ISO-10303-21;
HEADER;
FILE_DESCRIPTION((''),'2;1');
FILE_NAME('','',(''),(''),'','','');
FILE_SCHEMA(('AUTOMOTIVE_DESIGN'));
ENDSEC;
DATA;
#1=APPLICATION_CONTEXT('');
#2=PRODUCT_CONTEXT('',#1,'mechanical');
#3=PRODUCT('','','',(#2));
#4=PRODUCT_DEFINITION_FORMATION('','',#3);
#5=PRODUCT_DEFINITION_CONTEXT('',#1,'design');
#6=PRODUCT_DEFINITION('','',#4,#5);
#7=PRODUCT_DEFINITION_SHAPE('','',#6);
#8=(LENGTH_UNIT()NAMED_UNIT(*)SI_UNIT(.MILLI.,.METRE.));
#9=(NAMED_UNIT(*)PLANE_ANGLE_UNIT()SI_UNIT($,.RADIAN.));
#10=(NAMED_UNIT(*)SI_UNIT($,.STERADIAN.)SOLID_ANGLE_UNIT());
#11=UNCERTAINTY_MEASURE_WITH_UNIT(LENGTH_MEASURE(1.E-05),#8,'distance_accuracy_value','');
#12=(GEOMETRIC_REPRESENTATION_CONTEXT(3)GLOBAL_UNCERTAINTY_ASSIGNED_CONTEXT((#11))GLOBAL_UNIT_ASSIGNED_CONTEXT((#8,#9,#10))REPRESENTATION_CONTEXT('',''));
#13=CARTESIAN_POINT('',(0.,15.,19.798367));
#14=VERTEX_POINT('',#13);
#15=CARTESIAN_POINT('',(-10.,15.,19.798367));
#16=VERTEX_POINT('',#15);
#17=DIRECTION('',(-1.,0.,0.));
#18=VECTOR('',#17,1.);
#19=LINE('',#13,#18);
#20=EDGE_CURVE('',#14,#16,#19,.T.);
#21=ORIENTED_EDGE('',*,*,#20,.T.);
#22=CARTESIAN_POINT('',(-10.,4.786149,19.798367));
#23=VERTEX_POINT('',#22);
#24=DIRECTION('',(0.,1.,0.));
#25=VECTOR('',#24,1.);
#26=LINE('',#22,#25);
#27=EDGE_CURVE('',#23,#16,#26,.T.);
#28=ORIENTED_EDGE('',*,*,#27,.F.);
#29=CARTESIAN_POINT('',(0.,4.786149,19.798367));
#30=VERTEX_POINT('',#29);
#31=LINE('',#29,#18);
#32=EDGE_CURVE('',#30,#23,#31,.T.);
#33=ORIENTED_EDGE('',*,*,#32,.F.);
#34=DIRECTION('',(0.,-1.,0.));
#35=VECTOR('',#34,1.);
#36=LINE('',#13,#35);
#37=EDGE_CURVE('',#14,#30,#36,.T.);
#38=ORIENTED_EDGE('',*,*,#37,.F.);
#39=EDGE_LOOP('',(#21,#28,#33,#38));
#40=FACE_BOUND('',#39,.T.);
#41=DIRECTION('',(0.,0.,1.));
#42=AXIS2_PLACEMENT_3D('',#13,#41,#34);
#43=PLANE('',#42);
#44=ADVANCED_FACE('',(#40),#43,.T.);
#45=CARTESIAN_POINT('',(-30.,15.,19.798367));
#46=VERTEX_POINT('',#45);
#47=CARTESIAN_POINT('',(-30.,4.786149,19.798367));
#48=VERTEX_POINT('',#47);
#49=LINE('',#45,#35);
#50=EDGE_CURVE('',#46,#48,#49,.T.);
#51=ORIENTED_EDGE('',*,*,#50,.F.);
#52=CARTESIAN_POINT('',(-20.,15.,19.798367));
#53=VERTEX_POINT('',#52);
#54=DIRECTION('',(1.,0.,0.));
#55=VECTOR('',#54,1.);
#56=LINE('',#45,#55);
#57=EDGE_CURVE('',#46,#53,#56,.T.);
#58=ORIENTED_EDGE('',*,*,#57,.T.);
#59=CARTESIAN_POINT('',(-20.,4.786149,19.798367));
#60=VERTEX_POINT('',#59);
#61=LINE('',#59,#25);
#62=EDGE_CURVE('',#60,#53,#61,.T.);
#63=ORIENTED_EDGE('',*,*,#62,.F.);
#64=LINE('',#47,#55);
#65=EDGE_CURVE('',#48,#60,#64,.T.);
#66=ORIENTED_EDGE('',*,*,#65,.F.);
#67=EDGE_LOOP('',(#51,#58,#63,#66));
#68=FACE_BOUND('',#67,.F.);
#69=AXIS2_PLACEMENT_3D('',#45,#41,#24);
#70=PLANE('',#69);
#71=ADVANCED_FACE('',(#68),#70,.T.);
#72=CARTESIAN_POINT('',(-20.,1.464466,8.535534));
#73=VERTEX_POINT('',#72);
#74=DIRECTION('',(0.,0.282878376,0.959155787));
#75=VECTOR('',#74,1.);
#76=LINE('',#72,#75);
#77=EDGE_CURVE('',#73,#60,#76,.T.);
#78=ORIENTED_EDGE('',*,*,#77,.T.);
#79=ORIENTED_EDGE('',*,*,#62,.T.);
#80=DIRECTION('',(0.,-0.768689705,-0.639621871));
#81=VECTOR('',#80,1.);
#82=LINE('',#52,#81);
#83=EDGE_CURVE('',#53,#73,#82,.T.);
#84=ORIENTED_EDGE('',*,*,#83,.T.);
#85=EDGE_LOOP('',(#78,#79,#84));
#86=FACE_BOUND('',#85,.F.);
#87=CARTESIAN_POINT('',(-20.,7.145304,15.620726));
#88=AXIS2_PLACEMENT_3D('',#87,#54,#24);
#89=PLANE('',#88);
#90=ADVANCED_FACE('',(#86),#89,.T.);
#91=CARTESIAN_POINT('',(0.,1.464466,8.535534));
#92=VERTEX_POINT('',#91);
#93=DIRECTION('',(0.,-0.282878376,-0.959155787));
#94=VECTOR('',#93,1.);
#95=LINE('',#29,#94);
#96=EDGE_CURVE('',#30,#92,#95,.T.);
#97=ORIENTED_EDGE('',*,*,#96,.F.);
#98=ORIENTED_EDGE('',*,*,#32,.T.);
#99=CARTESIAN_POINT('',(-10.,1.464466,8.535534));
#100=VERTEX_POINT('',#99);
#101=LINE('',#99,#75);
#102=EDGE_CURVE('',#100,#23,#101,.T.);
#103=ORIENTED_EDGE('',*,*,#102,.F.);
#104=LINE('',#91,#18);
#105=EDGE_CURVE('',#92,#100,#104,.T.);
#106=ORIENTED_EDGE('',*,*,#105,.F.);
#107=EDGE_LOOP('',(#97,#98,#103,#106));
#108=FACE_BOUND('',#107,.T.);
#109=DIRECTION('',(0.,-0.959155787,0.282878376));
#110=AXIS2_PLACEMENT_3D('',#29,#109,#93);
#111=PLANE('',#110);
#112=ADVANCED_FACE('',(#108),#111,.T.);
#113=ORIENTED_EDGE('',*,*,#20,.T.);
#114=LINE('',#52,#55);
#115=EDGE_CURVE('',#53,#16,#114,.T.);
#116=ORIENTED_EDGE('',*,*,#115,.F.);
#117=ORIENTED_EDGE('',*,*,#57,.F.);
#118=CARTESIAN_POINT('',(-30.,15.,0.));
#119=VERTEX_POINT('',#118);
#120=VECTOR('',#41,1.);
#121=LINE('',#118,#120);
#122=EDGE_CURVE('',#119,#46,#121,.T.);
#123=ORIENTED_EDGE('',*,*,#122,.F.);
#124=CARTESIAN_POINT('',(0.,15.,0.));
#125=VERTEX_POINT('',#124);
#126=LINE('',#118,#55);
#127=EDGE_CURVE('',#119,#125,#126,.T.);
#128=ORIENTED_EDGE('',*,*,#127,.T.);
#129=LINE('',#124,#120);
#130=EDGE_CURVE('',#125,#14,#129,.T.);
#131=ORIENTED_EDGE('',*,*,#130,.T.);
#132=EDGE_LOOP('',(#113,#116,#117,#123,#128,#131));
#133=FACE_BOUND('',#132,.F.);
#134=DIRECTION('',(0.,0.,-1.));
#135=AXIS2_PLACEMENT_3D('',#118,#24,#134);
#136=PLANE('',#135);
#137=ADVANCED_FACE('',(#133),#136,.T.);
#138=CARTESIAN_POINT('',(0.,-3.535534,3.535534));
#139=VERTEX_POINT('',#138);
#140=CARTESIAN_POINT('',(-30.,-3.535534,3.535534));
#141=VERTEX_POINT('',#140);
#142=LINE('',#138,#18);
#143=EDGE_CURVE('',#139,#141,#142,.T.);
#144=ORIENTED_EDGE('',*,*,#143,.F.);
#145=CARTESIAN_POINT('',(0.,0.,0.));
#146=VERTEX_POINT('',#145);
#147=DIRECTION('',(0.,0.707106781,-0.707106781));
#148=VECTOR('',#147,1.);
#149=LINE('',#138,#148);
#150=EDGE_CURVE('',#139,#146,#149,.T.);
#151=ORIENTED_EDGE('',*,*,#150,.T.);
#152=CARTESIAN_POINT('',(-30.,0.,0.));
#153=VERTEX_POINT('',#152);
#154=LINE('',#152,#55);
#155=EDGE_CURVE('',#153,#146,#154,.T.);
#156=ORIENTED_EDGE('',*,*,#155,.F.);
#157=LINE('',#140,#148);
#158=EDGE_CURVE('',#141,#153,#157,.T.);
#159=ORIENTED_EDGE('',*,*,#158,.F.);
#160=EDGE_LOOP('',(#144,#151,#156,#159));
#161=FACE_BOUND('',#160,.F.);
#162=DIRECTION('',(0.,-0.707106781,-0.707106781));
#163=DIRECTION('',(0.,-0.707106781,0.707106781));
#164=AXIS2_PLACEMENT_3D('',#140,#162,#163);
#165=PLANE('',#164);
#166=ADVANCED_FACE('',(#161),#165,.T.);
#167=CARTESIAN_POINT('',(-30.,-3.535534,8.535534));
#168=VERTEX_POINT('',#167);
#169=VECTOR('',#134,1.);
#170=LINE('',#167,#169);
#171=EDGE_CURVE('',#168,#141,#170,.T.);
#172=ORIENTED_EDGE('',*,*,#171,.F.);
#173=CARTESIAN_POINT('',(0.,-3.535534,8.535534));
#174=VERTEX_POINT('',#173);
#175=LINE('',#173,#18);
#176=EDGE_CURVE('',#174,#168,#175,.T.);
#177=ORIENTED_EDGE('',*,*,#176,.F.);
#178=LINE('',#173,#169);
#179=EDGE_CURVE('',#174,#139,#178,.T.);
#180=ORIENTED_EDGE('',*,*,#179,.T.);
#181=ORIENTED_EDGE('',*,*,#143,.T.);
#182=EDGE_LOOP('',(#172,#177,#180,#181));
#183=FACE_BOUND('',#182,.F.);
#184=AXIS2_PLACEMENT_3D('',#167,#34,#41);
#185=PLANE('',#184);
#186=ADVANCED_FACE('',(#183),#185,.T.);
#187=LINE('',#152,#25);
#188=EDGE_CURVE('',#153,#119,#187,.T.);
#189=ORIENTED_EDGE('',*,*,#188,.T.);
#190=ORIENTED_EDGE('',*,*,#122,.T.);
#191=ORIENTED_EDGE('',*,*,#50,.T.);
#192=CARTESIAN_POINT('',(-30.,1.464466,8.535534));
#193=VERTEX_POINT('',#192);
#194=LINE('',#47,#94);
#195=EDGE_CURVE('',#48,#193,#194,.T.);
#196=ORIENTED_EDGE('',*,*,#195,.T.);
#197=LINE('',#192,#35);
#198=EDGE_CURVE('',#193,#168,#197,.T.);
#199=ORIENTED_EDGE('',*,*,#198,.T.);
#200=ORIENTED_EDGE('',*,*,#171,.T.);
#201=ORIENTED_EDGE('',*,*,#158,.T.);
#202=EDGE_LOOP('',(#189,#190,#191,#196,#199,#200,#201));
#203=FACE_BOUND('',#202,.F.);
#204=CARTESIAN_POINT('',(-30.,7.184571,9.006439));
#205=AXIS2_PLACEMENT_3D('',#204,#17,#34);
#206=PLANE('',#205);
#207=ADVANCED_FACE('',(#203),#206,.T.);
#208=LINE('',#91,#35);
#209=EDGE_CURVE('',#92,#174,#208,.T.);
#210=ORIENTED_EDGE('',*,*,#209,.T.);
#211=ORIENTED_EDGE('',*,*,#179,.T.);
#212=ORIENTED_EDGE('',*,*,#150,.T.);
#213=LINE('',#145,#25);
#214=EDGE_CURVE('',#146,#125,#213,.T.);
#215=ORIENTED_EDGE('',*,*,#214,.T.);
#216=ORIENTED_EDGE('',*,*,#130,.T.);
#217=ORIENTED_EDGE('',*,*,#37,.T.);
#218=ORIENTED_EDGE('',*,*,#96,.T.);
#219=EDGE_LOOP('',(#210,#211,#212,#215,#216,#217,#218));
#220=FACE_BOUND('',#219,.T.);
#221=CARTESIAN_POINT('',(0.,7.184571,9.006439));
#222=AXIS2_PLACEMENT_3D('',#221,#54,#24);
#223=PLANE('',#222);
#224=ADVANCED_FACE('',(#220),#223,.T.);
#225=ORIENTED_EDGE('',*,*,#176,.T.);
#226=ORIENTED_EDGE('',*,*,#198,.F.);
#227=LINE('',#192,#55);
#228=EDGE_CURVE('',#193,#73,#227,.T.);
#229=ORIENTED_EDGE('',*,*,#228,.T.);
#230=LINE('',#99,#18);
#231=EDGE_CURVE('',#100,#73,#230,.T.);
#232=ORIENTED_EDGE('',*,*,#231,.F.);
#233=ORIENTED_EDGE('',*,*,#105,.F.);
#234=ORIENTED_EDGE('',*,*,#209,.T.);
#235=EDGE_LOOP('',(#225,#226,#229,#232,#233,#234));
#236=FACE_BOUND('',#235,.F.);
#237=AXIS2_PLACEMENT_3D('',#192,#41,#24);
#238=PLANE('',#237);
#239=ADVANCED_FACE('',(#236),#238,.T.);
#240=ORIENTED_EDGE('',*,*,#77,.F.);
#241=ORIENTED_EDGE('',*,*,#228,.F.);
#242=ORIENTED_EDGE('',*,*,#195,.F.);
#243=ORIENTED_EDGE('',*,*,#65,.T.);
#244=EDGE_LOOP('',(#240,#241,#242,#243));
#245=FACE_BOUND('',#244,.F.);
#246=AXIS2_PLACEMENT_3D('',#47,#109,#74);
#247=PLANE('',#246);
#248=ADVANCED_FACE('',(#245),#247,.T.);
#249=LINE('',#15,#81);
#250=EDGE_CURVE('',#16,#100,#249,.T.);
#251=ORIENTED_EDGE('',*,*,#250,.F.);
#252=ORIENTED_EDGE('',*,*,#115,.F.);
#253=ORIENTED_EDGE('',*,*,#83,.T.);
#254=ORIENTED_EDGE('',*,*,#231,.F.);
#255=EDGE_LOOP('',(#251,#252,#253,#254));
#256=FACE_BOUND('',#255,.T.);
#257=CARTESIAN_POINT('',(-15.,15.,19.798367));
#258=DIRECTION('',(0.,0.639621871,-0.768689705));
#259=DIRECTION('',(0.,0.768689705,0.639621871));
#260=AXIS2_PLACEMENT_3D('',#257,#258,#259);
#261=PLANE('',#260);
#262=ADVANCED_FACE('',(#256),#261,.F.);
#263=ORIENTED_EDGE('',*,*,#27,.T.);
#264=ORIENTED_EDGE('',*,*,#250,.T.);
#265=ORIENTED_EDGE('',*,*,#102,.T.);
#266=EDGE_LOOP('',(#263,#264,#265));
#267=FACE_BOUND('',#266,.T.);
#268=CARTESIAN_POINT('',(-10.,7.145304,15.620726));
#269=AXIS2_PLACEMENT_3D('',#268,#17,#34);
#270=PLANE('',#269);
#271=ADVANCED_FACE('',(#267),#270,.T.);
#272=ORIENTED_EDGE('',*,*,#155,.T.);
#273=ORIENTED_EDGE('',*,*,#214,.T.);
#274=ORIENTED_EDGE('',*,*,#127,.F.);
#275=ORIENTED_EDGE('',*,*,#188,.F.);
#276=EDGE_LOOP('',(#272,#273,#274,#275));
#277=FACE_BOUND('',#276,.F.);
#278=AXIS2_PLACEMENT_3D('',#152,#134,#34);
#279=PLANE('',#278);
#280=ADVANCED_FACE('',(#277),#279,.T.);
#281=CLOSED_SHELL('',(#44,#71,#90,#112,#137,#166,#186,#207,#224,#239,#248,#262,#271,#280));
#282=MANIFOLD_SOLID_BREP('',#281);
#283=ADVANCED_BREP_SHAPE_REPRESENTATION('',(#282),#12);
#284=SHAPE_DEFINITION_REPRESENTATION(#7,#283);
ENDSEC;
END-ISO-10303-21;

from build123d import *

# Parameters (mm, degrees)
F1_DEPTH = 15
F3_DEPTH = 5


with BuildPart() as f1:
    # F0 (on Right) → F1 (new body)
    with BuildSketch(Plane.YZ):
        Polygon((-3.5355339059, 3.5355339059), (0, 0), (15, 0), (15, 19.7983665757), (4.7861494543, 19.7983665757), (1.4644660941, 8.5355339059), (-3.5355339059, 8.5355339059), align=None)
    extrude(amount=-F1_DEPTH)

    # F2 (on face) → F3 (cut)
    with BuildSketch(Plane(origin=(-15, 0, 0), x_dir=(0, -1, 0), z_dir=(-1, 0, 0))):
        Polygon((-4.7861494543, 19.7983665757), (-15, 19.7983665757), (-1.4644660941, 8.5355339059), align=None)
    extrude(amount=-F3_DEPTH, mode=Mode.SUBTRACT)

    # F6: F1 across plane


with BuildPart() as f1_1:
    add(f1.part)
    add(f1.part.mirror(Plane.YZ.offset(-15)))


solid = f1_1.part
